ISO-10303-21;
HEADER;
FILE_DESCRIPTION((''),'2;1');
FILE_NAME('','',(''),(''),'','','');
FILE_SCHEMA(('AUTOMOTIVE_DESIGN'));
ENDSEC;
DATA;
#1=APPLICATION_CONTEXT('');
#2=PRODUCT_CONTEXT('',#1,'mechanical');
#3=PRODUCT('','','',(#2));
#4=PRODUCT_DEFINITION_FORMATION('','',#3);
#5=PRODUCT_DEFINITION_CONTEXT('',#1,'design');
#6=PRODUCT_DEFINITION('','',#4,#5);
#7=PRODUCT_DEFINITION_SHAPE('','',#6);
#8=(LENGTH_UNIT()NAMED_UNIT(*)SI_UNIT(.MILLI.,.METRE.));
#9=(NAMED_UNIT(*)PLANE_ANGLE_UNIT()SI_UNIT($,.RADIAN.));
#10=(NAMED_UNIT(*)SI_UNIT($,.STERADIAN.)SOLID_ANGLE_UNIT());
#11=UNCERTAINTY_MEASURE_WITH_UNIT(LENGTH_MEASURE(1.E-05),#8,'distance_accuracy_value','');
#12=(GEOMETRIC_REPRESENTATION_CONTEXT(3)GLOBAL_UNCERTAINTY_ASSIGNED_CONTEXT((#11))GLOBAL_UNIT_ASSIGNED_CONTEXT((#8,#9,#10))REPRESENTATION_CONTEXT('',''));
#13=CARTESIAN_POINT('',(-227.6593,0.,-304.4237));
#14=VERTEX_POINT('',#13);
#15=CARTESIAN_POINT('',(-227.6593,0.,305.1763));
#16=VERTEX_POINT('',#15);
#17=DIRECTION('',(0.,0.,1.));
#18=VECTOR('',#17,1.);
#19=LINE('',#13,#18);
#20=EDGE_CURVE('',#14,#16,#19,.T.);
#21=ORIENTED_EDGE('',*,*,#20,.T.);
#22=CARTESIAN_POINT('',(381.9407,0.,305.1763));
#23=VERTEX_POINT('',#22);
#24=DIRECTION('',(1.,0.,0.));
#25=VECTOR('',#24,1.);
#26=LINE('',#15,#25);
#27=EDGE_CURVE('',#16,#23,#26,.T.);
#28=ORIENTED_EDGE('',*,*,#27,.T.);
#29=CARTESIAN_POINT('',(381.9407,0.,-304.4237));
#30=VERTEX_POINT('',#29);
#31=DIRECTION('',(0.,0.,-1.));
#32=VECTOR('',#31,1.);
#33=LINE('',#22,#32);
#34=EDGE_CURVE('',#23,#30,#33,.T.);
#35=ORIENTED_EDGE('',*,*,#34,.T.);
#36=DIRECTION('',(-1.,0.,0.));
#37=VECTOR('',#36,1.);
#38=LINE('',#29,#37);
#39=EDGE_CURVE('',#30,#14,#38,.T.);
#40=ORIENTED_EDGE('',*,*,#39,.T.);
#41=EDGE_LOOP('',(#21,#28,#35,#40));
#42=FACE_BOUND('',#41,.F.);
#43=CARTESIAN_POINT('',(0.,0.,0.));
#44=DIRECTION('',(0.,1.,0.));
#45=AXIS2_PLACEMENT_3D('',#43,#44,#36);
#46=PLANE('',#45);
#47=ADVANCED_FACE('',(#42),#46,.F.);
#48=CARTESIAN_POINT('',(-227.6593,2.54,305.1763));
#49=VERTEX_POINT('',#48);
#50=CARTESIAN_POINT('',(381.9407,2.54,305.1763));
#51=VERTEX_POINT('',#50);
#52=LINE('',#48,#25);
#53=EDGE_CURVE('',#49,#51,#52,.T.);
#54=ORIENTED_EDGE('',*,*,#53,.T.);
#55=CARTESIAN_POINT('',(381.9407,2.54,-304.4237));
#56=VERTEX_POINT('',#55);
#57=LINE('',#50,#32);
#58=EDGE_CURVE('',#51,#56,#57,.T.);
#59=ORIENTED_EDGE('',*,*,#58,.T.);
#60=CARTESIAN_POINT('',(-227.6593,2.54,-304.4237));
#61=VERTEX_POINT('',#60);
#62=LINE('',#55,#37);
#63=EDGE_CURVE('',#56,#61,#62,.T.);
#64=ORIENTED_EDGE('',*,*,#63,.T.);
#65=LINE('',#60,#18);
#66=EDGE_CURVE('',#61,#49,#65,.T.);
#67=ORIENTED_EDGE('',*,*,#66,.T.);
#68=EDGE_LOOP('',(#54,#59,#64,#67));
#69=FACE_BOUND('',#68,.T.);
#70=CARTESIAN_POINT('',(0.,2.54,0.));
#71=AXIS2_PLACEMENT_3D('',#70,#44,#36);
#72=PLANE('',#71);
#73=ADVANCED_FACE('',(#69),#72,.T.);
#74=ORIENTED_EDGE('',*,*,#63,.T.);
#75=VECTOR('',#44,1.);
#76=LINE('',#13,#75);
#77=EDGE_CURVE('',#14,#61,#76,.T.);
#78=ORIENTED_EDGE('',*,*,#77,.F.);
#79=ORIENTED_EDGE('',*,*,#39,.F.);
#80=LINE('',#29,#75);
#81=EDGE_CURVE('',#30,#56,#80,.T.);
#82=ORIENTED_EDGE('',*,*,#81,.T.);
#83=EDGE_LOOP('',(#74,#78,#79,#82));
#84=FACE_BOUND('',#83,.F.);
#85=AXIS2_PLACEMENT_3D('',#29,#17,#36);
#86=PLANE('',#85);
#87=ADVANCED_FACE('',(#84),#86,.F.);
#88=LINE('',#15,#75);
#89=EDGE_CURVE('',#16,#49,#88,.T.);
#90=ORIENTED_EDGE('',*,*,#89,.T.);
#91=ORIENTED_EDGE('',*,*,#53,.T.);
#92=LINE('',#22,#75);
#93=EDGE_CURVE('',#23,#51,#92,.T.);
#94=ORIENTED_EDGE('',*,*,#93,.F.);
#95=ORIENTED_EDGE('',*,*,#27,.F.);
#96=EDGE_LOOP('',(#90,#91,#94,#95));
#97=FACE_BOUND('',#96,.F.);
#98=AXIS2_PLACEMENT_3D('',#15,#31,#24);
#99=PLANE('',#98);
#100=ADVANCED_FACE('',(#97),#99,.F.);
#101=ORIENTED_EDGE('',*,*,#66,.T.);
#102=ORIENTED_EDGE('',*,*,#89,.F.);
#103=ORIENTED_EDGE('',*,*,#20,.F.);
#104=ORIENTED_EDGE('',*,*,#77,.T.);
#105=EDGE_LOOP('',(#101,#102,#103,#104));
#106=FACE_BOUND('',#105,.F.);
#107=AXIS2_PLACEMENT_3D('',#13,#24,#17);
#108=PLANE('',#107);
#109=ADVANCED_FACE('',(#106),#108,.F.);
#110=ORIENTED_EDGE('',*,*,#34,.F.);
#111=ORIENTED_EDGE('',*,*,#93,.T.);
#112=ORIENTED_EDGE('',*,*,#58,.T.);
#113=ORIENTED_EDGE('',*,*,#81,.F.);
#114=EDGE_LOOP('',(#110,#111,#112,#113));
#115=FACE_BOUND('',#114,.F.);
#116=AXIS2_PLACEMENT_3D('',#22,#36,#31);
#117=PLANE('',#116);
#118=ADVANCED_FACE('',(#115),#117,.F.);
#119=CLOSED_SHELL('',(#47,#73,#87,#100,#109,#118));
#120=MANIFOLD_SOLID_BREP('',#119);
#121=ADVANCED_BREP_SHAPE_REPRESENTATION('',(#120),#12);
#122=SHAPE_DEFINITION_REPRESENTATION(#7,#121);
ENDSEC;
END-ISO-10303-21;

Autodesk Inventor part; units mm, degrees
ref_plane "YZ Plane" through (0, 0, 0) normal (1, 0, 0) x (0, 1, 0)
ref_plane "XZ Plane" through (0, 0, 0) normal (0, 1, 0) x (-1, 0, 0)
ref_plane "XY Plane" through (0, 0, 0) normal (0, 0, 1) x (1, 0, 0)
sketch "Sketch1" plane through (0, 0, 0) normal (0, 1, 0) x (-1, 0, 0)
  line L0 (227.6593, 305.1763) -> (-381.9407, 305.1763)
  line L1 (-381.9407, 305.1763) -> (-381.9407, -304.4237)
  line L2 (-381.9407, -304.4237) -> (227.6593, -304.4237)
  line L3 (227.6593, -304.4237) -> (227.6593, 305.1763)
  point P0 (0, 0)
  dimension "d0" = 609.6
  dimension "d1" = 609.6
extrude "Extrusion1" add sketch "Sketch1" along normal blind 2.54
properties part number "Table"
